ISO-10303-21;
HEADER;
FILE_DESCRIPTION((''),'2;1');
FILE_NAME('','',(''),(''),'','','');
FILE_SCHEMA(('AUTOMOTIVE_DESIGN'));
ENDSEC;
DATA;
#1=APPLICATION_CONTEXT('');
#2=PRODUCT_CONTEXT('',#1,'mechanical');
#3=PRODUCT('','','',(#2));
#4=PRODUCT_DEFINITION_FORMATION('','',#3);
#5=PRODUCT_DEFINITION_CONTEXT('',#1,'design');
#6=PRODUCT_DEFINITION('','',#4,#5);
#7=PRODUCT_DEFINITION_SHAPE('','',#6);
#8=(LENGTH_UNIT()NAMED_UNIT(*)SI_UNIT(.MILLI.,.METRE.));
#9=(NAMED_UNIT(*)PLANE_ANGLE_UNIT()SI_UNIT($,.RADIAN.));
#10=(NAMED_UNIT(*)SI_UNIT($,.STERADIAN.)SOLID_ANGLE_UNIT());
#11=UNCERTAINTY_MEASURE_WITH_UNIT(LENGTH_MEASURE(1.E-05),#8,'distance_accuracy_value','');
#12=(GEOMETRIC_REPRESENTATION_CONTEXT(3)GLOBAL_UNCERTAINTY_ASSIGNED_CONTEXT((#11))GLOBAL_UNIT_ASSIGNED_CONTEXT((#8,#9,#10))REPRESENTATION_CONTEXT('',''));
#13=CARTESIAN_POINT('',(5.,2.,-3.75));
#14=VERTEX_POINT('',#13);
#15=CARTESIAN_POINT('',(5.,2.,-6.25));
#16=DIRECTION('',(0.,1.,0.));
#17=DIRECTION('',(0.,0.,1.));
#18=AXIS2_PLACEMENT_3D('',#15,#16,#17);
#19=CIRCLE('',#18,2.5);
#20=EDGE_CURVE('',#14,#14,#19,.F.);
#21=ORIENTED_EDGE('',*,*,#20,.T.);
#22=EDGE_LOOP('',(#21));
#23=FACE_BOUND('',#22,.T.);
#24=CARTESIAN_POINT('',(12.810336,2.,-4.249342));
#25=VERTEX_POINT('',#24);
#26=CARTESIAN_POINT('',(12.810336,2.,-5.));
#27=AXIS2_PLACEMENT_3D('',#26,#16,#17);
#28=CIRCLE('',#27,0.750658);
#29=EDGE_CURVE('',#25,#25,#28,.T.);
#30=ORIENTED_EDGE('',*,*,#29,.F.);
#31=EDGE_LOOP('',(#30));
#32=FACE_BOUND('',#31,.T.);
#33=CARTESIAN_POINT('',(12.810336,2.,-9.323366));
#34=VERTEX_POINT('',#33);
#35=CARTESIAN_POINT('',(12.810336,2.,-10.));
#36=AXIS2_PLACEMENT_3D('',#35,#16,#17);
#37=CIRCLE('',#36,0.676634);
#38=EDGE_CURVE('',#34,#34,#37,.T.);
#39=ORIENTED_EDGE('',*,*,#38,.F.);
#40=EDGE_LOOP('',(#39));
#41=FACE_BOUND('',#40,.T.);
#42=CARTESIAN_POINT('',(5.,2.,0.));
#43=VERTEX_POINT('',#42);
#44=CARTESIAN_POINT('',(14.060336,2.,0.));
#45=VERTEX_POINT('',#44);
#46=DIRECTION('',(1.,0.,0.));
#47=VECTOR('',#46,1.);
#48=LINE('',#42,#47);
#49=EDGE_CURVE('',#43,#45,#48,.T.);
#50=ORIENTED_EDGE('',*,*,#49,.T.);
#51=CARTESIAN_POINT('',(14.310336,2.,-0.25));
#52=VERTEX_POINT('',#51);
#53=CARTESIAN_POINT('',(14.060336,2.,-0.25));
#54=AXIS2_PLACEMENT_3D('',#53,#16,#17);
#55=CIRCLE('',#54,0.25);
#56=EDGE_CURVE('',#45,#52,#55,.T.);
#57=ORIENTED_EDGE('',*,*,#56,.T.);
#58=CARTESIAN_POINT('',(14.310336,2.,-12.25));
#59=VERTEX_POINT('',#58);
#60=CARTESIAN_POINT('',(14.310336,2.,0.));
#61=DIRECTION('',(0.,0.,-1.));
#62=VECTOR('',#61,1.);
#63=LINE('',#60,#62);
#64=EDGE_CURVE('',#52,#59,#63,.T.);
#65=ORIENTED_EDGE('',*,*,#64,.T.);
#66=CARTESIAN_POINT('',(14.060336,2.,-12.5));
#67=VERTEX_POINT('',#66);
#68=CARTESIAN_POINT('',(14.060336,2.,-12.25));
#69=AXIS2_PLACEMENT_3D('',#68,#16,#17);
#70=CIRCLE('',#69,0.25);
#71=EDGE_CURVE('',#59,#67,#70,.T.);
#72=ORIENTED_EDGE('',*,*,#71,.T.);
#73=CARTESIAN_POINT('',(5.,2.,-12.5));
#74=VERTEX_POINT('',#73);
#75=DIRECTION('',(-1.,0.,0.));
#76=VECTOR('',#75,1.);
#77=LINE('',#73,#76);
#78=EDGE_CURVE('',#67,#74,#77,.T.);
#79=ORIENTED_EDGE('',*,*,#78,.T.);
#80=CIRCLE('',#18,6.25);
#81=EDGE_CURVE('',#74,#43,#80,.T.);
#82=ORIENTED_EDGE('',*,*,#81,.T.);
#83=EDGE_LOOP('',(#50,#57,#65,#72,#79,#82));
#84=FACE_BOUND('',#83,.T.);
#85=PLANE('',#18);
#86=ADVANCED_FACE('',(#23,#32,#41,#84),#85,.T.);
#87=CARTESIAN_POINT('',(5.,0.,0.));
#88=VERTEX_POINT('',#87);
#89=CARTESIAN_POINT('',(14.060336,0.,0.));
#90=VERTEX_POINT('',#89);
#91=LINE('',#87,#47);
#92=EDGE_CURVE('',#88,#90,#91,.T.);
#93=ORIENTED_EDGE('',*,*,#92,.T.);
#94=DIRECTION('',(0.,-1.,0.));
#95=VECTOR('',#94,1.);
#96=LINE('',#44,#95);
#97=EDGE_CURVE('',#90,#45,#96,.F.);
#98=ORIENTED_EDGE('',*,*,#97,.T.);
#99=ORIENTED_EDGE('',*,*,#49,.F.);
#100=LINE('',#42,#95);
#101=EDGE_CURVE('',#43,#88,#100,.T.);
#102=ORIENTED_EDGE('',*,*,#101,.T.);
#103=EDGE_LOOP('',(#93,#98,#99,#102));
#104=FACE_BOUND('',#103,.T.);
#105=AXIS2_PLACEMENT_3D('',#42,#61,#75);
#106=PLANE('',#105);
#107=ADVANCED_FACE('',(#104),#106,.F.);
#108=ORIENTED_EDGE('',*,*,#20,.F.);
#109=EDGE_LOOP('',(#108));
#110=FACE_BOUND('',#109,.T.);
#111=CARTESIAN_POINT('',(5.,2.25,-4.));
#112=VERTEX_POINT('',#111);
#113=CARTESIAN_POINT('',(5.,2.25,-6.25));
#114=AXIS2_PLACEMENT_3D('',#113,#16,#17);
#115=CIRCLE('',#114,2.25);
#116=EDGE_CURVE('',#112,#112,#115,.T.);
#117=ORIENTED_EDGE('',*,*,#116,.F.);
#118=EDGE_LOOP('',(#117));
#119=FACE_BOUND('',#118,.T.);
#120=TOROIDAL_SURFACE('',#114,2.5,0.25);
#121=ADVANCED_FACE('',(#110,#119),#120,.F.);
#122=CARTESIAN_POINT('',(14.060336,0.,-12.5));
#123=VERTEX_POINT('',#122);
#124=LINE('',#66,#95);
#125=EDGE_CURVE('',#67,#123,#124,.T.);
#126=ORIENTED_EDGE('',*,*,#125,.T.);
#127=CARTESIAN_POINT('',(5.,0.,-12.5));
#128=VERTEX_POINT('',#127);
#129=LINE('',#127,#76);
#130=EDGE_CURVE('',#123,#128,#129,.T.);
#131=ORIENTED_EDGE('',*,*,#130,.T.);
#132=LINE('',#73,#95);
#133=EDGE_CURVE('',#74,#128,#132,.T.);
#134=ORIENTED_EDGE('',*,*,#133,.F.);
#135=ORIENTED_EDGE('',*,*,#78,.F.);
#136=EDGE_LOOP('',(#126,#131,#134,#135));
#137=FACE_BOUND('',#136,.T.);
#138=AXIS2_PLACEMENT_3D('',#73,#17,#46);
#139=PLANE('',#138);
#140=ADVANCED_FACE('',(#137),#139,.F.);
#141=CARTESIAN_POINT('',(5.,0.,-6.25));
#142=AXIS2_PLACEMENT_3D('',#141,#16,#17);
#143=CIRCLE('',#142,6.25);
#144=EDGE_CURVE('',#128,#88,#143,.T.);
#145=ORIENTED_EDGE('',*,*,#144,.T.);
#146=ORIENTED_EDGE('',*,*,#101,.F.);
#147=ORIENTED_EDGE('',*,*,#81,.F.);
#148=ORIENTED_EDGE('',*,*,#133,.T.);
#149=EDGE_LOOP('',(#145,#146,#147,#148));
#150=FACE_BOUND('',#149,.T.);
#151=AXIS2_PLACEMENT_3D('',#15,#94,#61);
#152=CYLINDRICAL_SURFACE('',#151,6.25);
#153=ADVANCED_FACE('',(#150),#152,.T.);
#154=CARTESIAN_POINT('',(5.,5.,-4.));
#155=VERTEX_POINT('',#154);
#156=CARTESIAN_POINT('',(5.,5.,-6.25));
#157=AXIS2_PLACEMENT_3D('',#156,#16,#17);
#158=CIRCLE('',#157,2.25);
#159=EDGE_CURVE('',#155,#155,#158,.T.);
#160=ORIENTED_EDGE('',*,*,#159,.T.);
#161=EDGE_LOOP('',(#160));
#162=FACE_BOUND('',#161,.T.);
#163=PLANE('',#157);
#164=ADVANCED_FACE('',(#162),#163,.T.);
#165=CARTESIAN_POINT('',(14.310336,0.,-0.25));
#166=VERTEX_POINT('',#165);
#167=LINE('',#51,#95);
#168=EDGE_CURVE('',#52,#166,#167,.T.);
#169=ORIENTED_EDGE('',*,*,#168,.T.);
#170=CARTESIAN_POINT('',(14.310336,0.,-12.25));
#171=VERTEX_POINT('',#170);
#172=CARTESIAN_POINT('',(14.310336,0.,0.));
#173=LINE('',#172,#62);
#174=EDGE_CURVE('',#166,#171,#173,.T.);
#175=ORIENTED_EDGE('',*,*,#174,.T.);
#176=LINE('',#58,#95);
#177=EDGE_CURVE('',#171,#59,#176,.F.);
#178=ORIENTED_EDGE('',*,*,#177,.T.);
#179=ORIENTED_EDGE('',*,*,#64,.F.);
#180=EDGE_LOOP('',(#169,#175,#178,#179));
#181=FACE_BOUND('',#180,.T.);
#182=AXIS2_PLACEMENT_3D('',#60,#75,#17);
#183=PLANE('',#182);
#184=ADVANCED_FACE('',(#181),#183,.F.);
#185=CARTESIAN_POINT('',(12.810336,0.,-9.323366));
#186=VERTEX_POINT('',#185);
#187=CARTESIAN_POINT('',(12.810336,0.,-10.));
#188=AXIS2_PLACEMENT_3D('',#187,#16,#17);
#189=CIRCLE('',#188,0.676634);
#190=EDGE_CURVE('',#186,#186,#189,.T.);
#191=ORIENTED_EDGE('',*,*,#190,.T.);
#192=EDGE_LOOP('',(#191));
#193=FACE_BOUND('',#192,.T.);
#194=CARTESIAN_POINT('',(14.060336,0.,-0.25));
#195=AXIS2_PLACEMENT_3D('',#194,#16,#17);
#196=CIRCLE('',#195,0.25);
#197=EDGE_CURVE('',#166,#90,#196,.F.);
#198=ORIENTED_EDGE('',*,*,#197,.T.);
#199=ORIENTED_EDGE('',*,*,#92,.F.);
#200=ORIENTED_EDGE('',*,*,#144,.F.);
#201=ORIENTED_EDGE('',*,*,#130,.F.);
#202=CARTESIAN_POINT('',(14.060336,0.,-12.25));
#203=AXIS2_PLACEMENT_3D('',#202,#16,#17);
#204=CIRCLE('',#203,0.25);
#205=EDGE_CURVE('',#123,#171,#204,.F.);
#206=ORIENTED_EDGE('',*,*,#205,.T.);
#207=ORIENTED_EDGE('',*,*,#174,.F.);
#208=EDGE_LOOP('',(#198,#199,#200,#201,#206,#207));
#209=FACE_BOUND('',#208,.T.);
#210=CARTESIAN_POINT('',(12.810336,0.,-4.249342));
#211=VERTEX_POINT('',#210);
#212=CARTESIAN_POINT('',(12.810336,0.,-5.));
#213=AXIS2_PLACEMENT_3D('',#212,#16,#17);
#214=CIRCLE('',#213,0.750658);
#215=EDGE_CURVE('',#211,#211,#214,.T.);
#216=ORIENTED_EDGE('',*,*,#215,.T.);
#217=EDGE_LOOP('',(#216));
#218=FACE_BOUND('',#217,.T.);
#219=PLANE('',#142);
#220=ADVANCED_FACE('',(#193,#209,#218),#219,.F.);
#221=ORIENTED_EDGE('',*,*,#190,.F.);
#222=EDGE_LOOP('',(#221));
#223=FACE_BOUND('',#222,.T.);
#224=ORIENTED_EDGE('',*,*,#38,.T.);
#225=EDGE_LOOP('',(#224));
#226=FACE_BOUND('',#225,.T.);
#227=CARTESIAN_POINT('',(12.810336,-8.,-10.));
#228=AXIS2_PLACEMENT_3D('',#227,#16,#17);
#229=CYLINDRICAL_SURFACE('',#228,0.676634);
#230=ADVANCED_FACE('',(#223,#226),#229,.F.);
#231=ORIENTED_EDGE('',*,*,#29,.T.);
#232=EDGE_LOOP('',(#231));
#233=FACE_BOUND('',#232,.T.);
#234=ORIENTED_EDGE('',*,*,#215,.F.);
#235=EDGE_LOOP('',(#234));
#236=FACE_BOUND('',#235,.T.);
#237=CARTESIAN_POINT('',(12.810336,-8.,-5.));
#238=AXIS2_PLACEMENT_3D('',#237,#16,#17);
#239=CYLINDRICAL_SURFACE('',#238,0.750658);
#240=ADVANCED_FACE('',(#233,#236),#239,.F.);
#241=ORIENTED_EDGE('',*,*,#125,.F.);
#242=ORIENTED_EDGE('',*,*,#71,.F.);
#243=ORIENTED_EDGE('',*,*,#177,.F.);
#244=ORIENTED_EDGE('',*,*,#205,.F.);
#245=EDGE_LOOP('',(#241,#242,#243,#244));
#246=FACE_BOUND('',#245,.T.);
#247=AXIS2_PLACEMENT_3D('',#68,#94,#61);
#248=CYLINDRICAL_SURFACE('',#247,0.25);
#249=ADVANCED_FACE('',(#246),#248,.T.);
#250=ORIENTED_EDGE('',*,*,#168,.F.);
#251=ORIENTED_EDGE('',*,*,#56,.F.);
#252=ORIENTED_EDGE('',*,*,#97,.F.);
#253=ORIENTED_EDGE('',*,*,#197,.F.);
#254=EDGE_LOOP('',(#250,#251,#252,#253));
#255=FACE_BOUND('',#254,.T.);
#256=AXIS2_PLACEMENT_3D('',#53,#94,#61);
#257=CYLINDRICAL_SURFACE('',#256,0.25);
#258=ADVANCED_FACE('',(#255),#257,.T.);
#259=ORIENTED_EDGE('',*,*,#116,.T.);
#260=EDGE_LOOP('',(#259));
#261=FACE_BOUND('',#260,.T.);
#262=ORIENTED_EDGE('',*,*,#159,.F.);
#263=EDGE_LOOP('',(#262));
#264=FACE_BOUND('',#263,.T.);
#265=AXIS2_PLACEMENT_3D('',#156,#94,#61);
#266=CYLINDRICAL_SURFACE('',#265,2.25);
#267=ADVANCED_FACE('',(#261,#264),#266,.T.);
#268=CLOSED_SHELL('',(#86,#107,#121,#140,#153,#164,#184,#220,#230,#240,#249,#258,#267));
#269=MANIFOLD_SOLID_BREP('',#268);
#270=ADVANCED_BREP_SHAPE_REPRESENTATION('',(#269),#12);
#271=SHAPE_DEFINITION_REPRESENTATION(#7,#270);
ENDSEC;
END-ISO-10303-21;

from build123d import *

# Parameters (mm, degrees)
EXTRUDE_1_DEPTH     = 2
SKETCH_2_R          = 2.25
EXTRUDE_2_DEPTH     = 3
SKETCH_3_R          = 0.676633681
SKETCH_3_R_2        = 0.750657672
CUT_EXTRUDE_1_DEPTH = 10
FILLET_1_R          = 0.25
FILLET_2_R          = 0.25


with BuildPart() as part:
    # 草图1 → 凸台-拉伸1 (new body)
    with BuildSketch(Plane(origin=(0, 0, 0), x_dir=(1, 0, 0), z_dir=(0, 1, 0))):
        with BuildLine():
            Line((5, 0), (14.310335592, 0))
            Line((14.310335592, 0), (14.310335592, 12.5))
            Line((14.310335592, 12.5), (5, 12.5))
            ThreePointArc((5, 12.5), (-1.25, 6.25), (5, 0))
        make_face()
    extrude(amount=EXTRUDE_1_DEPTH)

    # 草图2 → 凸台-拉伸2 (add)
    with BuildSketch(Plane(origin=(0, 2, 0), x_dir=(1, 0, 0), z_dir=(0, 1, 0))):
        with Locations(Location((5, 6.25, 0), (0, 0, 270))):
            Circle(SKETCH_2_R)
    extrude(amount=EXTRUDE_2_DEPTH)

    # 草图3 → 切除-拉伸1 (cut)
    with BuildSketch(Plane(origin=(0, 2, 0), x_dir=(1, 0, 0), z_dir=(0, 1, 0))):
        with Locations(Location((12.810335592, 10, 0), (0, 0, 270))):
            Circle(SKETCH_3_R)
        with Locations(Location((12.810335592, 5, 0), (0, 0, 270))):
            Circle(SKETCH_3_R_2)
    extrude(amount=-CUT_EXTRUDE_1_DEPTH, mode=Mode.SUBTRACT)

    # 圆角1
    fillet_1_edges = [part.edges().sort_by_distance(p)[0] for p in [
        (5, 2, -8.5),
    ]]
    fillet(fillet_1_edges, radius=FILLET_1_R)

    # 圆角2
    fillet_2_edges = [part.edges().sort_by_distance(p)[0] for p in [
        (14.310335592, 1, 0),
        (14.310335592, 1, -12.5),
    ]]
    fillet(fillet_2_edges, radius=FILLET_2_R)


solid = part.part
